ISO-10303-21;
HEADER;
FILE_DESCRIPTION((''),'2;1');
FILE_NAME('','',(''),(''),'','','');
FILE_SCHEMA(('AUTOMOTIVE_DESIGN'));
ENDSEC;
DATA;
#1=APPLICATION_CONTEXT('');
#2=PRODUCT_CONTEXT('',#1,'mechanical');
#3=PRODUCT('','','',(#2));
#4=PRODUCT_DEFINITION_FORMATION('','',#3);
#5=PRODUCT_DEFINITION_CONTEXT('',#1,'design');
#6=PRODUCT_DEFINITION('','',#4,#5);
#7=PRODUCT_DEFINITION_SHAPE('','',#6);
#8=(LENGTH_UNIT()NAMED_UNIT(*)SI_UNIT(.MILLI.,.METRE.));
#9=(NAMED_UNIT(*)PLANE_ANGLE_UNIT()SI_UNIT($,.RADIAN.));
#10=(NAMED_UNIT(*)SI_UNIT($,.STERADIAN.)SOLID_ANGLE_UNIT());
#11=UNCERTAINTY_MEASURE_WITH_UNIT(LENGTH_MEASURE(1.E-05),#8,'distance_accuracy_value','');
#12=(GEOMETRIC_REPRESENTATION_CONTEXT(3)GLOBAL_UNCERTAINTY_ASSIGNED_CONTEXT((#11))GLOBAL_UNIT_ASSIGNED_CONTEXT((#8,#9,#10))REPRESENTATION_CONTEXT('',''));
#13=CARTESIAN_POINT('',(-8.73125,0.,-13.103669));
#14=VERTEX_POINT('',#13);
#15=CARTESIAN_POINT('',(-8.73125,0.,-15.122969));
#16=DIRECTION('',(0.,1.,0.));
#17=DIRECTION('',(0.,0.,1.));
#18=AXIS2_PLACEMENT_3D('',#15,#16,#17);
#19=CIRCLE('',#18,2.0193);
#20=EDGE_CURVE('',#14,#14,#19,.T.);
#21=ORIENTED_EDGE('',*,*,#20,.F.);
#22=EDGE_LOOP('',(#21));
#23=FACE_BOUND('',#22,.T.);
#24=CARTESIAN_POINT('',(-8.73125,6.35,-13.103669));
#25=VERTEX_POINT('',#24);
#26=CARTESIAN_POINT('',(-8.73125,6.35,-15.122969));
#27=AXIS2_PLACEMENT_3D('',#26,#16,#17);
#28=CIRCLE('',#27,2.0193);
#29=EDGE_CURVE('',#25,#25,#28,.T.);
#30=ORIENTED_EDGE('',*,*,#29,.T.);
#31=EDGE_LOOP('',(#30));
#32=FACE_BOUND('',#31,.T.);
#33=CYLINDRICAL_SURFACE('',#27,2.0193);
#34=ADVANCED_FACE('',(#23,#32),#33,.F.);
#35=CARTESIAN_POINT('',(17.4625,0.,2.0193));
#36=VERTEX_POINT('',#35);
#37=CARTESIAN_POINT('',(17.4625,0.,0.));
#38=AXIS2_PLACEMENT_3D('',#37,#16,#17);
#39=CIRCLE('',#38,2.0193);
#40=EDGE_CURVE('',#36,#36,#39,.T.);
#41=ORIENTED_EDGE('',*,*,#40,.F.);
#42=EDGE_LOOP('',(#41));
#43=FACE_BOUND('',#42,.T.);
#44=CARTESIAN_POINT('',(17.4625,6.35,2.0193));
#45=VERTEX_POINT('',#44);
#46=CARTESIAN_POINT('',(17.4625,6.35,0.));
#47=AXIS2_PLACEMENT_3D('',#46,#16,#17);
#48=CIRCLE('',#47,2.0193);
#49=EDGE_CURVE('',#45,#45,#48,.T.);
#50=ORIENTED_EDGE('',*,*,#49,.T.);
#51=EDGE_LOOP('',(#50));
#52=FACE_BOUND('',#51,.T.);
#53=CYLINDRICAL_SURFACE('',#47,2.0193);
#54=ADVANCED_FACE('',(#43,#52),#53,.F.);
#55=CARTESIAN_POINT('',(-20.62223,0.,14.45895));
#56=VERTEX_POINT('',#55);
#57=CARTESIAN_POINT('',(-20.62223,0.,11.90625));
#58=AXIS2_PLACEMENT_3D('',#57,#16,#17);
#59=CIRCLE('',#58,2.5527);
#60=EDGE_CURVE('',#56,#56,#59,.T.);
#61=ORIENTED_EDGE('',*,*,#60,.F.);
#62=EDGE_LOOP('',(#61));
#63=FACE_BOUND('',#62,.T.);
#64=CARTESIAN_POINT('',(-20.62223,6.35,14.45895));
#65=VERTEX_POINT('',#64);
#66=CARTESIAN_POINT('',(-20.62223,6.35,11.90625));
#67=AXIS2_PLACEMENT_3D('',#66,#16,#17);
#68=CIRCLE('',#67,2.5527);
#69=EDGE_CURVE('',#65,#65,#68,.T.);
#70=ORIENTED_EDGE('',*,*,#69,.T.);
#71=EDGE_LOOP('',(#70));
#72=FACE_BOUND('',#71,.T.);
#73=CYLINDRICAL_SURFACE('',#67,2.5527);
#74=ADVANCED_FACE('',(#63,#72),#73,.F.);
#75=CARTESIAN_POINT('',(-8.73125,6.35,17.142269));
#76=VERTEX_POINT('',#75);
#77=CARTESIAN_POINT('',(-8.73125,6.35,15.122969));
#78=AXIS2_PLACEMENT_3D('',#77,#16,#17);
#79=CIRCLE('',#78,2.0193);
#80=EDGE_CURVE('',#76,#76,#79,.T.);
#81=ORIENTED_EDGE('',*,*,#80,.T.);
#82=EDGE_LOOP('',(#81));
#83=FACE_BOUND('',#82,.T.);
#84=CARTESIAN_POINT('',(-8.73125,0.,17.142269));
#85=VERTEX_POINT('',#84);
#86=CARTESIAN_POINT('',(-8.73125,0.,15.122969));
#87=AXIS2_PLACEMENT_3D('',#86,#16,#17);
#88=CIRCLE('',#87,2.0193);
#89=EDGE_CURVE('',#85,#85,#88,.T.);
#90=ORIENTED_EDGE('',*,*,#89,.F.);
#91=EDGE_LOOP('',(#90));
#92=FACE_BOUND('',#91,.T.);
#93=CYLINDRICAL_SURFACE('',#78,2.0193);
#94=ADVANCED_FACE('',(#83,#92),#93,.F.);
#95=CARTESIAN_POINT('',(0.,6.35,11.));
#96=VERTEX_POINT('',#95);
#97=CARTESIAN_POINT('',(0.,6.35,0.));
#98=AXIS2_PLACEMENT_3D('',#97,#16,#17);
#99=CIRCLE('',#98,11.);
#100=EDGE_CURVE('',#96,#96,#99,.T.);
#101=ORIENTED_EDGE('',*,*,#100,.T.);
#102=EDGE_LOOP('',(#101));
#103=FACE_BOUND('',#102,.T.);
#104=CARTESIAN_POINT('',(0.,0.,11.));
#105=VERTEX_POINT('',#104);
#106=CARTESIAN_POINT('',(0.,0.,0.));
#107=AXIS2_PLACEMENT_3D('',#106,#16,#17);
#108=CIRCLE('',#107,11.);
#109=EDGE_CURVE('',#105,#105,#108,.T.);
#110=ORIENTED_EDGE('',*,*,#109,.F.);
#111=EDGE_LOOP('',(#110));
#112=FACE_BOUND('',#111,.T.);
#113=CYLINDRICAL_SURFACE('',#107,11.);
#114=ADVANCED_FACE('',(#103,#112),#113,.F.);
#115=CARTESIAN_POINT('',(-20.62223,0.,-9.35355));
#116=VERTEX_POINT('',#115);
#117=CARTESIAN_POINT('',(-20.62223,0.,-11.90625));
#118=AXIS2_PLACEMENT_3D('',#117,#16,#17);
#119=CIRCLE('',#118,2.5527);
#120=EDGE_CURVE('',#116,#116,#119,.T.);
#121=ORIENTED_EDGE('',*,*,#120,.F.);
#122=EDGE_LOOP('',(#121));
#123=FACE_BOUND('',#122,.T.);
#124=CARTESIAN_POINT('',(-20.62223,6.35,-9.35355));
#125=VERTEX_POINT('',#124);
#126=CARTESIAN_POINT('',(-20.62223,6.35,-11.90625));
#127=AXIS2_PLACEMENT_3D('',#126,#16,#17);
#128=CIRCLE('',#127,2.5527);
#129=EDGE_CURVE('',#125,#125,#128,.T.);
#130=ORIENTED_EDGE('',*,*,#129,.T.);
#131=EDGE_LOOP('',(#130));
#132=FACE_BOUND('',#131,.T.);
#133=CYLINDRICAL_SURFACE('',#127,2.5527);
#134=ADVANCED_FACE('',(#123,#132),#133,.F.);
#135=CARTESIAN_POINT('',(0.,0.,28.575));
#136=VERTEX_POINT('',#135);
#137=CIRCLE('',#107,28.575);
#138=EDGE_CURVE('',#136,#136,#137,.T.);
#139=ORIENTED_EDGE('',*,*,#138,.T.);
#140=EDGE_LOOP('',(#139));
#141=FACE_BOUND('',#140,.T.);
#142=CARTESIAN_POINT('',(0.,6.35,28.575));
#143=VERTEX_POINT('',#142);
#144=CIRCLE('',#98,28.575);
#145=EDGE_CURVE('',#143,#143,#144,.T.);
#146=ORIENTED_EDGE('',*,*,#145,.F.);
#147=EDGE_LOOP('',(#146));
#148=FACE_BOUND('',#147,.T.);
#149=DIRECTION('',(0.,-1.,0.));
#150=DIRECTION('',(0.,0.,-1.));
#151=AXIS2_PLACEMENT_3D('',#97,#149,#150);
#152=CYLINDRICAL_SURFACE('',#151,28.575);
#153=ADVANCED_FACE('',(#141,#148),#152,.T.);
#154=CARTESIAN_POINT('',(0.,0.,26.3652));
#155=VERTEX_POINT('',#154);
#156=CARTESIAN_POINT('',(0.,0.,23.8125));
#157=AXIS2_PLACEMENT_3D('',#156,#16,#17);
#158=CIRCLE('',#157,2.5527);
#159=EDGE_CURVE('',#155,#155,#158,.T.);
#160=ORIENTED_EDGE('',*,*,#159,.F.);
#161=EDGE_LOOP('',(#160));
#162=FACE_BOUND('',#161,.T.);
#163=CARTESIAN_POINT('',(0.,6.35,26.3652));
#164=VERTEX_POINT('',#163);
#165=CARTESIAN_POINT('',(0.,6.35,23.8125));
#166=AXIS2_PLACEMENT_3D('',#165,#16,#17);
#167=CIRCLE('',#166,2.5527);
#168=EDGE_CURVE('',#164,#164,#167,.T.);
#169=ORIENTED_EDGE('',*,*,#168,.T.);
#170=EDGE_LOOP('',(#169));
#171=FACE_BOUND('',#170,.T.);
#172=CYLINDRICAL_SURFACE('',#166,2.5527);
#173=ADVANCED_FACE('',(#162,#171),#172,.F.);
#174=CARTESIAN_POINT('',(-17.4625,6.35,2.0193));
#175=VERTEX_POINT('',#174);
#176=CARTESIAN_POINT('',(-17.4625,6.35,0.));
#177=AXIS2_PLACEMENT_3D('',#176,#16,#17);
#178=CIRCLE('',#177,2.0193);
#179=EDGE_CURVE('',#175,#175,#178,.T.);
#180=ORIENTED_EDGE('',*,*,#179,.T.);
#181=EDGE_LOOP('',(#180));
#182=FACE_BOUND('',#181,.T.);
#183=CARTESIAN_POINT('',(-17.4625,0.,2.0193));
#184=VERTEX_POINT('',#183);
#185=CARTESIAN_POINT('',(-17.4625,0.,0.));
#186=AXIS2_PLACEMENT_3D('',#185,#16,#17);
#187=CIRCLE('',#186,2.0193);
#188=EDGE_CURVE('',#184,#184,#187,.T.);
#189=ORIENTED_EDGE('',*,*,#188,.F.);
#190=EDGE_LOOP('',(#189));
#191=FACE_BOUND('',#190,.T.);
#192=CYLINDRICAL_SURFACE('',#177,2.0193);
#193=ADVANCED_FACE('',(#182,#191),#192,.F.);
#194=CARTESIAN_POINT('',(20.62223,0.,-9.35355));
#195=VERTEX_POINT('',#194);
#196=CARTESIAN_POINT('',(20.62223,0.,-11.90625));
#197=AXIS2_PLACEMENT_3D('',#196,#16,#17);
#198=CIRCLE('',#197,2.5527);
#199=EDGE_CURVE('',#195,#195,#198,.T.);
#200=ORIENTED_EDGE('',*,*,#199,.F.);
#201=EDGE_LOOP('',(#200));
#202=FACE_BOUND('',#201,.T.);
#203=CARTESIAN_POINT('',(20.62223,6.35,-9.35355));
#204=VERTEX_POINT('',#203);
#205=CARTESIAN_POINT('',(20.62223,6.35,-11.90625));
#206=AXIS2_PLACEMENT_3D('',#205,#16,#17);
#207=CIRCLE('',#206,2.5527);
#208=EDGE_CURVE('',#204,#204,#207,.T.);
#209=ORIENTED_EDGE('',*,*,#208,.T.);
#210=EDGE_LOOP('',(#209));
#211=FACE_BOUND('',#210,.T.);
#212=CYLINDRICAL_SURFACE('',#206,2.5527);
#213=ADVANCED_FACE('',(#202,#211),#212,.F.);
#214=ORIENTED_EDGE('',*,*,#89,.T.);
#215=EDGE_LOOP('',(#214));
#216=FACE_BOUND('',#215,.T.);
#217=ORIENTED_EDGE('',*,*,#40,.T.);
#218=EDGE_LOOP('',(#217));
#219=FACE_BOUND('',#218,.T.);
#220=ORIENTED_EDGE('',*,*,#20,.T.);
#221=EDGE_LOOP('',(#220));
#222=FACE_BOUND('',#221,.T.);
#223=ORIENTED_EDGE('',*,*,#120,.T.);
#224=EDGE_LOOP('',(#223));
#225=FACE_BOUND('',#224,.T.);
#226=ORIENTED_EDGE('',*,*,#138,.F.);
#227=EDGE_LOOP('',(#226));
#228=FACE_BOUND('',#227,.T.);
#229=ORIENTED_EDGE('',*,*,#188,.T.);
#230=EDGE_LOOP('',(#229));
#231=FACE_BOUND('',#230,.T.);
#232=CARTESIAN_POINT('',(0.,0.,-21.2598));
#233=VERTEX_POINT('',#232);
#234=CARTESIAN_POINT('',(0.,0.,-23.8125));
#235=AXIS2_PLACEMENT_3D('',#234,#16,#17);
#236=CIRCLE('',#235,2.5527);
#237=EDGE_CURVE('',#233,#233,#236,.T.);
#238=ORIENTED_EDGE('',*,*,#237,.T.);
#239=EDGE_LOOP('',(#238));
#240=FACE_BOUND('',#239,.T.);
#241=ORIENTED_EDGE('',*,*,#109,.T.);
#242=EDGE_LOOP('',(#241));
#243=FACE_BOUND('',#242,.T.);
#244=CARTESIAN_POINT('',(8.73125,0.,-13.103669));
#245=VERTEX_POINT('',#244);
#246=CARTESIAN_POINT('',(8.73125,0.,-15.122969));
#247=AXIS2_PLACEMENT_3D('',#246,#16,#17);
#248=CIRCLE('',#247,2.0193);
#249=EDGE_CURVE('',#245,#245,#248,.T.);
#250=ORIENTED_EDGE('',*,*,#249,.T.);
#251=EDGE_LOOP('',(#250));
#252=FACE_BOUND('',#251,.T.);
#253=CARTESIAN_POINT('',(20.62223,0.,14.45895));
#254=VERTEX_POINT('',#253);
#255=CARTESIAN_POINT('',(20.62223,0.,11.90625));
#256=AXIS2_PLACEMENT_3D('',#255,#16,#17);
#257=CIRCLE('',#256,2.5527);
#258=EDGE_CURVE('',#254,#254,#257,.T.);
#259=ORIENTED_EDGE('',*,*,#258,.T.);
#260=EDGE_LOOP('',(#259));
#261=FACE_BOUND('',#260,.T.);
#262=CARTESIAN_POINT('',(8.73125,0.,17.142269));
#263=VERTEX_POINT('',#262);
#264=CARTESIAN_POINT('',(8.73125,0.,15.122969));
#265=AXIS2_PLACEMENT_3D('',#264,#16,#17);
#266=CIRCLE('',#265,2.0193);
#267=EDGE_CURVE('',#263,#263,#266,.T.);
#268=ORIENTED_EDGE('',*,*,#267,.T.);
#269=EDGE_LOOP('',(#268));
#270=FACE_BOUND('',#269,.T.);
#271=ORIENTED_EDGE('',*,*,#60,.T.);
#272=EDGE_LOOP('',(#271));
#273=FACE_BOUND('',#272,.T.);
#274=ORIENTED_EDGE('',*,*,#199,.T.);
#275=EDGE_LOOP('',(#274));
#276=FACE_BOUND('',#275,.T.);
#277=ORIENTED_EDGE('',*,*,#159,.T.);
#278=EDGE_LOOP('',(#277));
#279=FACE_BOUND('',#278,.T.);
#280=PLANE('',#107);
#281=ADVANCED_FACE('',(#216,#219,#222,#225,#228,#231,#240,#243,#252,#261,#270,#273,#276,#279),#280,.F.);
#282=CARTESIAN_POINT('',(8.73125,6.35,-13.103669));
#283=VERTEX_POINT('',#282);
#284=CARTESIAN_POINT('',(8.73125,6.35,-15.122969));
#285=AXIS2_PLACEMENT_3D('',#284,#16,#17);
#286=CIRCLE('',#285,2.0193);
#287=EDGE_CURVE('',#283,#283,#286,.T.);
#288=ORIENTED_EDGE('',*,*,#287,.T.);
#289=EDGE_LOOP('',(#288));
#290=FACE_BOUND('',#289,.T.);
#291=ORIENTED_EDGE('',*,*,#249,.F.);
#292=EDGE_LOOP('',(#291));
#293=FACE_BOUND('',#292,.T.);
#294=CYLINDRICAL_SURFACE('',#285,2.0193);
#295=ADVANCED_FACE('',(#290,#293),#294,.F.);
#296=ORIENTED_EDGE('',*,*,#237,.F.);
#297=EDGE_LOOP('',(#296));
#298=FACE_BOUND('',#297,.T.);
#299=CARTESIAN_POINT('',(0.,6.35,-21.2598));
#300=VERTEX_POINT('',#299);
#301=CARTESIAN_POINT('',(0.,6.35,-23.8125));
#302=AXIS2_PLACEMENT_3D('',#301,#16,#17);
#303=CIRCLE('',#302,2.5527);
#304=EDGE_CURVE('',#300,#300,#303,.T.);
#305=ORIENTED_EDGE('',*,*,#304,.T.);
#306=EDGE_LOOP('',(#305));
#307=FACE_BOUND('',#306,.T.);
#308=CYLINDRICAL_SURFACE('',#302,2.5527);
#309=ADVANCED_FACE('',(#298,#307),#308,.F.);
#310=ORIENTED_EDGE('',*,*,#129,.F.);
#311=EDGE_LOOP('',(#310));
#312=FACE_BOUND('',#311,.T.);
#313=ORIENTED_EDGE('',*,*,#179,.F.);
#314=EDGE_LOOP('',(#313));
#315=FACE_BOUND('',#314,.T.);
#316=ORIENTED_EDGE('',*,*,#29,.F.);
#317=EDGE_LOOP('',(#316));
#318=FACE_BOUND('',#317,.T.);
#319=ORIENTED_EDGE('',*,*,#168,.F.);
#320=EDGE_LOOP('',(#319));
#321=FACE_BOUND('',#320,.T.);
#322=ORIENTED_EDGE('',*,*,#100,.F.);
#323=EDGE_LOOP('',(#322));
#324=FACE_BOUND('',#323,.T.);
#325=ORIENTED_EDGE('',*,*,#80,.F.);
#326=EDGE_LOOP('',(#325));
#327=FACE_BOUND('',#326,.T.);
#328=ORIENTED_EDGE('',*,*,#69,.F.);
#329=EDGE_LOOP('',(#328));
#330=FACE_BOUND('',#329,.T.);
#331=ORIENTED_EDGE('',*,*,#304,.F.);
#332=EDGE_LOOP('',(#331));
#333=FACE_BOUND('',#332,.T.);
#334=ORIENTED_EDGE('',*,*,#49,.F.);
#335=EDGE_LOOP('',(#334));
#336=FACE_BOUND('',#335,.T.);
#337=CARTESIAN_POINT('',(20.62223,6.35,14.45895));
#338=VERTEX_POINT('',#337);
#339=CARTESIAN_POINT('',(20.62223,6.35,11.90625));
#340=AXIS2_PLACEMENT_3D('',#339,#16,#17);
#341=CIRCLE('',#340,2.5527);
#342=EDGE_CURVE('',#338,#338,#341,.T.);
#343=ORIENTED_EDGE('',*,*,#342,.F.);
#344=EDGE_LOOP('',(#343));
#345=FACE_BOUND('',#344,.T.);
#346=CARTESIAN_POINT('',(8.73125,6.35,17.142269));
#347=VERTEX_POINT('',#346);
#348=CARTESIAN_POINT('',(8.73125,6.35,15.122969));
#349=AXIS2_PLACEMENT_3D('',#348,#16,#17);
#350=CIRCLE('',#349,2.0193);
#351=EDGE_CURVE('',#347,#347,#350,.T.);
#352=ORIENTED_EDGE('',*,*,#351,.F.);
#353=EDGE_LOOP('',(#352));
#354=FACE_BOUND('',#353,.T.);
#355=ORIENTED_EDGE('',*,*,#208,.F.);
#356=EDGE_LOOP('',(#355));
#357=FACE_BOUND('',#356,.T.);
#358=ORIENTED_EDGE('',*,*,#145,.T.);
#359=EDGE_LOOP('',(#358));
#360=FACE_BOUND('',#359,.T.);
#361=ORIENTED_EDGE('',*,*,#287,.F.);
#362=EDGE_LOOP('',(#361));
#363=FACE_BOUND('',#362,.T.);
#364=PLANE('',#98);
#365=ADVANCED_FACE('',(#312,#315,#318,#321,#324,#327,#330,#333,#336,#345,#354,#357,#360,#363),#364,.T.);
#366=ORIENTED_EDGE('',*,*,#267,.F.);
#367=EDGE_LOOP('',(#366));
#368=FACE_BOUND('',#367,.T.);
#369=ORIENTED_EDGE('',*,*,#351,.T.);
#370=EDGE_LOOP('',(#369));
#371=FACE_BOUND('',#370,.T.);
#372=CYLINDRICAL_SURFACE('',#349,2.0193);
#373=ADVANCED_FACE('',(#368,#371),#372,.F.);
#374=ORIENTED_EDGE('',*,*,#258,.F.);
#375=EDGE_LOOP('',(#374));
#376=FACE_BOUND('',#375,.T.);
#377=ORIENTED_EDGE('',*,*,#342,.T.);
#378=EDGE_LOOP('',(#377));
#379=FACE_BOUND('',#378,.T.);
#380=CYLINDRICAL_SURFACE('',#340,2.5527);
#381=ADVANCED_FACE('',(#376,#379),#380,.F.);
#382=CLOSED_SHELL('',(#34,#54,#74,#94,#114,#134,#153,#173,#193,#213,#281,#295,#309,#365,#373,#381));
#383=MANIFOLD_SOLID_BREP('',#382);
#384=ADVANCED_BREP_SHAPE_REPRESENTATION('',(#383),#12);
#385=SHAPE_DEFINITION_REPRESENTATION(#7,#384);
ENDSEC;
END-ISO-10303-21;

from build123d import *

# Parameters (mm, degrees)
SKETCH1_R               = 28.575
BOSS_EXTRUDE1_DEPTH     = 6.35
F_1_4_20_TAPPED_HOLE1_D = 5.1054
SKETCH5_R               = 11
CUT_EXTRUDE1_DEPTH      = 7.35
F_10_32_TAPPED_HOLE1_D  = 4.0386


with BuildPart() as part:
    # Sketch1 → Boss-Extrude1 (new body)
    with BuildSketch(Plane(origin=(0, 0, 0), x_dir=(1, 0, 0), z_dir=(0, 1, 0))):
        Circle(SKETCH1_R)
    extrude(amount=BOSS_EXTRUDE1_DEPTH)

    # 1/4-20 Tapped Hole1 (through all)
    with Locations(Plane(origin=(0, 6.35, 0), x_dir=(1, 0, 0), z_dir=(0, 1, 0))):
        with Locations((0, 23.8125), (20.622229928, 11.90625), (20.622229928, -11.90625), (0, -23.8125), (-20.622229928, -11.90625), (-20.622229928, 11.90625)):
            Hole(F_1_4_20_TAPPED_HOLE1_D / 2)

    # Sketch5 → Cut-Extrude1 (cut, through all)
    with BuildSketch(Plane(origin=(0, 6.35, 0), x_dir=(1, 0, 0), z_dir=(0, 1, 0))):
        Circle(SKETCH5_R)
    extrude(amount=-CUT_EXTRUDE1_DEPTH, mode=Mode.SUBTRACT)

    # #10-32 Tapped Hole1 (through all)
    with Locations(Plane(origin=(0, 6.35, 0), x_dir=(1, 0, 0), z_dir=(0, 1, 0))):
        with Locations((-8.73125, 15.122968614), (8.73125, 15.122968614), (17.4625, 0), (8.73125, -15.122968614), (-8.73125, -15.122968614), (-17.4625, 0)):
            Hole(F_10_32_TAPPED_HOLE1_D / 2)


solid = part.part
